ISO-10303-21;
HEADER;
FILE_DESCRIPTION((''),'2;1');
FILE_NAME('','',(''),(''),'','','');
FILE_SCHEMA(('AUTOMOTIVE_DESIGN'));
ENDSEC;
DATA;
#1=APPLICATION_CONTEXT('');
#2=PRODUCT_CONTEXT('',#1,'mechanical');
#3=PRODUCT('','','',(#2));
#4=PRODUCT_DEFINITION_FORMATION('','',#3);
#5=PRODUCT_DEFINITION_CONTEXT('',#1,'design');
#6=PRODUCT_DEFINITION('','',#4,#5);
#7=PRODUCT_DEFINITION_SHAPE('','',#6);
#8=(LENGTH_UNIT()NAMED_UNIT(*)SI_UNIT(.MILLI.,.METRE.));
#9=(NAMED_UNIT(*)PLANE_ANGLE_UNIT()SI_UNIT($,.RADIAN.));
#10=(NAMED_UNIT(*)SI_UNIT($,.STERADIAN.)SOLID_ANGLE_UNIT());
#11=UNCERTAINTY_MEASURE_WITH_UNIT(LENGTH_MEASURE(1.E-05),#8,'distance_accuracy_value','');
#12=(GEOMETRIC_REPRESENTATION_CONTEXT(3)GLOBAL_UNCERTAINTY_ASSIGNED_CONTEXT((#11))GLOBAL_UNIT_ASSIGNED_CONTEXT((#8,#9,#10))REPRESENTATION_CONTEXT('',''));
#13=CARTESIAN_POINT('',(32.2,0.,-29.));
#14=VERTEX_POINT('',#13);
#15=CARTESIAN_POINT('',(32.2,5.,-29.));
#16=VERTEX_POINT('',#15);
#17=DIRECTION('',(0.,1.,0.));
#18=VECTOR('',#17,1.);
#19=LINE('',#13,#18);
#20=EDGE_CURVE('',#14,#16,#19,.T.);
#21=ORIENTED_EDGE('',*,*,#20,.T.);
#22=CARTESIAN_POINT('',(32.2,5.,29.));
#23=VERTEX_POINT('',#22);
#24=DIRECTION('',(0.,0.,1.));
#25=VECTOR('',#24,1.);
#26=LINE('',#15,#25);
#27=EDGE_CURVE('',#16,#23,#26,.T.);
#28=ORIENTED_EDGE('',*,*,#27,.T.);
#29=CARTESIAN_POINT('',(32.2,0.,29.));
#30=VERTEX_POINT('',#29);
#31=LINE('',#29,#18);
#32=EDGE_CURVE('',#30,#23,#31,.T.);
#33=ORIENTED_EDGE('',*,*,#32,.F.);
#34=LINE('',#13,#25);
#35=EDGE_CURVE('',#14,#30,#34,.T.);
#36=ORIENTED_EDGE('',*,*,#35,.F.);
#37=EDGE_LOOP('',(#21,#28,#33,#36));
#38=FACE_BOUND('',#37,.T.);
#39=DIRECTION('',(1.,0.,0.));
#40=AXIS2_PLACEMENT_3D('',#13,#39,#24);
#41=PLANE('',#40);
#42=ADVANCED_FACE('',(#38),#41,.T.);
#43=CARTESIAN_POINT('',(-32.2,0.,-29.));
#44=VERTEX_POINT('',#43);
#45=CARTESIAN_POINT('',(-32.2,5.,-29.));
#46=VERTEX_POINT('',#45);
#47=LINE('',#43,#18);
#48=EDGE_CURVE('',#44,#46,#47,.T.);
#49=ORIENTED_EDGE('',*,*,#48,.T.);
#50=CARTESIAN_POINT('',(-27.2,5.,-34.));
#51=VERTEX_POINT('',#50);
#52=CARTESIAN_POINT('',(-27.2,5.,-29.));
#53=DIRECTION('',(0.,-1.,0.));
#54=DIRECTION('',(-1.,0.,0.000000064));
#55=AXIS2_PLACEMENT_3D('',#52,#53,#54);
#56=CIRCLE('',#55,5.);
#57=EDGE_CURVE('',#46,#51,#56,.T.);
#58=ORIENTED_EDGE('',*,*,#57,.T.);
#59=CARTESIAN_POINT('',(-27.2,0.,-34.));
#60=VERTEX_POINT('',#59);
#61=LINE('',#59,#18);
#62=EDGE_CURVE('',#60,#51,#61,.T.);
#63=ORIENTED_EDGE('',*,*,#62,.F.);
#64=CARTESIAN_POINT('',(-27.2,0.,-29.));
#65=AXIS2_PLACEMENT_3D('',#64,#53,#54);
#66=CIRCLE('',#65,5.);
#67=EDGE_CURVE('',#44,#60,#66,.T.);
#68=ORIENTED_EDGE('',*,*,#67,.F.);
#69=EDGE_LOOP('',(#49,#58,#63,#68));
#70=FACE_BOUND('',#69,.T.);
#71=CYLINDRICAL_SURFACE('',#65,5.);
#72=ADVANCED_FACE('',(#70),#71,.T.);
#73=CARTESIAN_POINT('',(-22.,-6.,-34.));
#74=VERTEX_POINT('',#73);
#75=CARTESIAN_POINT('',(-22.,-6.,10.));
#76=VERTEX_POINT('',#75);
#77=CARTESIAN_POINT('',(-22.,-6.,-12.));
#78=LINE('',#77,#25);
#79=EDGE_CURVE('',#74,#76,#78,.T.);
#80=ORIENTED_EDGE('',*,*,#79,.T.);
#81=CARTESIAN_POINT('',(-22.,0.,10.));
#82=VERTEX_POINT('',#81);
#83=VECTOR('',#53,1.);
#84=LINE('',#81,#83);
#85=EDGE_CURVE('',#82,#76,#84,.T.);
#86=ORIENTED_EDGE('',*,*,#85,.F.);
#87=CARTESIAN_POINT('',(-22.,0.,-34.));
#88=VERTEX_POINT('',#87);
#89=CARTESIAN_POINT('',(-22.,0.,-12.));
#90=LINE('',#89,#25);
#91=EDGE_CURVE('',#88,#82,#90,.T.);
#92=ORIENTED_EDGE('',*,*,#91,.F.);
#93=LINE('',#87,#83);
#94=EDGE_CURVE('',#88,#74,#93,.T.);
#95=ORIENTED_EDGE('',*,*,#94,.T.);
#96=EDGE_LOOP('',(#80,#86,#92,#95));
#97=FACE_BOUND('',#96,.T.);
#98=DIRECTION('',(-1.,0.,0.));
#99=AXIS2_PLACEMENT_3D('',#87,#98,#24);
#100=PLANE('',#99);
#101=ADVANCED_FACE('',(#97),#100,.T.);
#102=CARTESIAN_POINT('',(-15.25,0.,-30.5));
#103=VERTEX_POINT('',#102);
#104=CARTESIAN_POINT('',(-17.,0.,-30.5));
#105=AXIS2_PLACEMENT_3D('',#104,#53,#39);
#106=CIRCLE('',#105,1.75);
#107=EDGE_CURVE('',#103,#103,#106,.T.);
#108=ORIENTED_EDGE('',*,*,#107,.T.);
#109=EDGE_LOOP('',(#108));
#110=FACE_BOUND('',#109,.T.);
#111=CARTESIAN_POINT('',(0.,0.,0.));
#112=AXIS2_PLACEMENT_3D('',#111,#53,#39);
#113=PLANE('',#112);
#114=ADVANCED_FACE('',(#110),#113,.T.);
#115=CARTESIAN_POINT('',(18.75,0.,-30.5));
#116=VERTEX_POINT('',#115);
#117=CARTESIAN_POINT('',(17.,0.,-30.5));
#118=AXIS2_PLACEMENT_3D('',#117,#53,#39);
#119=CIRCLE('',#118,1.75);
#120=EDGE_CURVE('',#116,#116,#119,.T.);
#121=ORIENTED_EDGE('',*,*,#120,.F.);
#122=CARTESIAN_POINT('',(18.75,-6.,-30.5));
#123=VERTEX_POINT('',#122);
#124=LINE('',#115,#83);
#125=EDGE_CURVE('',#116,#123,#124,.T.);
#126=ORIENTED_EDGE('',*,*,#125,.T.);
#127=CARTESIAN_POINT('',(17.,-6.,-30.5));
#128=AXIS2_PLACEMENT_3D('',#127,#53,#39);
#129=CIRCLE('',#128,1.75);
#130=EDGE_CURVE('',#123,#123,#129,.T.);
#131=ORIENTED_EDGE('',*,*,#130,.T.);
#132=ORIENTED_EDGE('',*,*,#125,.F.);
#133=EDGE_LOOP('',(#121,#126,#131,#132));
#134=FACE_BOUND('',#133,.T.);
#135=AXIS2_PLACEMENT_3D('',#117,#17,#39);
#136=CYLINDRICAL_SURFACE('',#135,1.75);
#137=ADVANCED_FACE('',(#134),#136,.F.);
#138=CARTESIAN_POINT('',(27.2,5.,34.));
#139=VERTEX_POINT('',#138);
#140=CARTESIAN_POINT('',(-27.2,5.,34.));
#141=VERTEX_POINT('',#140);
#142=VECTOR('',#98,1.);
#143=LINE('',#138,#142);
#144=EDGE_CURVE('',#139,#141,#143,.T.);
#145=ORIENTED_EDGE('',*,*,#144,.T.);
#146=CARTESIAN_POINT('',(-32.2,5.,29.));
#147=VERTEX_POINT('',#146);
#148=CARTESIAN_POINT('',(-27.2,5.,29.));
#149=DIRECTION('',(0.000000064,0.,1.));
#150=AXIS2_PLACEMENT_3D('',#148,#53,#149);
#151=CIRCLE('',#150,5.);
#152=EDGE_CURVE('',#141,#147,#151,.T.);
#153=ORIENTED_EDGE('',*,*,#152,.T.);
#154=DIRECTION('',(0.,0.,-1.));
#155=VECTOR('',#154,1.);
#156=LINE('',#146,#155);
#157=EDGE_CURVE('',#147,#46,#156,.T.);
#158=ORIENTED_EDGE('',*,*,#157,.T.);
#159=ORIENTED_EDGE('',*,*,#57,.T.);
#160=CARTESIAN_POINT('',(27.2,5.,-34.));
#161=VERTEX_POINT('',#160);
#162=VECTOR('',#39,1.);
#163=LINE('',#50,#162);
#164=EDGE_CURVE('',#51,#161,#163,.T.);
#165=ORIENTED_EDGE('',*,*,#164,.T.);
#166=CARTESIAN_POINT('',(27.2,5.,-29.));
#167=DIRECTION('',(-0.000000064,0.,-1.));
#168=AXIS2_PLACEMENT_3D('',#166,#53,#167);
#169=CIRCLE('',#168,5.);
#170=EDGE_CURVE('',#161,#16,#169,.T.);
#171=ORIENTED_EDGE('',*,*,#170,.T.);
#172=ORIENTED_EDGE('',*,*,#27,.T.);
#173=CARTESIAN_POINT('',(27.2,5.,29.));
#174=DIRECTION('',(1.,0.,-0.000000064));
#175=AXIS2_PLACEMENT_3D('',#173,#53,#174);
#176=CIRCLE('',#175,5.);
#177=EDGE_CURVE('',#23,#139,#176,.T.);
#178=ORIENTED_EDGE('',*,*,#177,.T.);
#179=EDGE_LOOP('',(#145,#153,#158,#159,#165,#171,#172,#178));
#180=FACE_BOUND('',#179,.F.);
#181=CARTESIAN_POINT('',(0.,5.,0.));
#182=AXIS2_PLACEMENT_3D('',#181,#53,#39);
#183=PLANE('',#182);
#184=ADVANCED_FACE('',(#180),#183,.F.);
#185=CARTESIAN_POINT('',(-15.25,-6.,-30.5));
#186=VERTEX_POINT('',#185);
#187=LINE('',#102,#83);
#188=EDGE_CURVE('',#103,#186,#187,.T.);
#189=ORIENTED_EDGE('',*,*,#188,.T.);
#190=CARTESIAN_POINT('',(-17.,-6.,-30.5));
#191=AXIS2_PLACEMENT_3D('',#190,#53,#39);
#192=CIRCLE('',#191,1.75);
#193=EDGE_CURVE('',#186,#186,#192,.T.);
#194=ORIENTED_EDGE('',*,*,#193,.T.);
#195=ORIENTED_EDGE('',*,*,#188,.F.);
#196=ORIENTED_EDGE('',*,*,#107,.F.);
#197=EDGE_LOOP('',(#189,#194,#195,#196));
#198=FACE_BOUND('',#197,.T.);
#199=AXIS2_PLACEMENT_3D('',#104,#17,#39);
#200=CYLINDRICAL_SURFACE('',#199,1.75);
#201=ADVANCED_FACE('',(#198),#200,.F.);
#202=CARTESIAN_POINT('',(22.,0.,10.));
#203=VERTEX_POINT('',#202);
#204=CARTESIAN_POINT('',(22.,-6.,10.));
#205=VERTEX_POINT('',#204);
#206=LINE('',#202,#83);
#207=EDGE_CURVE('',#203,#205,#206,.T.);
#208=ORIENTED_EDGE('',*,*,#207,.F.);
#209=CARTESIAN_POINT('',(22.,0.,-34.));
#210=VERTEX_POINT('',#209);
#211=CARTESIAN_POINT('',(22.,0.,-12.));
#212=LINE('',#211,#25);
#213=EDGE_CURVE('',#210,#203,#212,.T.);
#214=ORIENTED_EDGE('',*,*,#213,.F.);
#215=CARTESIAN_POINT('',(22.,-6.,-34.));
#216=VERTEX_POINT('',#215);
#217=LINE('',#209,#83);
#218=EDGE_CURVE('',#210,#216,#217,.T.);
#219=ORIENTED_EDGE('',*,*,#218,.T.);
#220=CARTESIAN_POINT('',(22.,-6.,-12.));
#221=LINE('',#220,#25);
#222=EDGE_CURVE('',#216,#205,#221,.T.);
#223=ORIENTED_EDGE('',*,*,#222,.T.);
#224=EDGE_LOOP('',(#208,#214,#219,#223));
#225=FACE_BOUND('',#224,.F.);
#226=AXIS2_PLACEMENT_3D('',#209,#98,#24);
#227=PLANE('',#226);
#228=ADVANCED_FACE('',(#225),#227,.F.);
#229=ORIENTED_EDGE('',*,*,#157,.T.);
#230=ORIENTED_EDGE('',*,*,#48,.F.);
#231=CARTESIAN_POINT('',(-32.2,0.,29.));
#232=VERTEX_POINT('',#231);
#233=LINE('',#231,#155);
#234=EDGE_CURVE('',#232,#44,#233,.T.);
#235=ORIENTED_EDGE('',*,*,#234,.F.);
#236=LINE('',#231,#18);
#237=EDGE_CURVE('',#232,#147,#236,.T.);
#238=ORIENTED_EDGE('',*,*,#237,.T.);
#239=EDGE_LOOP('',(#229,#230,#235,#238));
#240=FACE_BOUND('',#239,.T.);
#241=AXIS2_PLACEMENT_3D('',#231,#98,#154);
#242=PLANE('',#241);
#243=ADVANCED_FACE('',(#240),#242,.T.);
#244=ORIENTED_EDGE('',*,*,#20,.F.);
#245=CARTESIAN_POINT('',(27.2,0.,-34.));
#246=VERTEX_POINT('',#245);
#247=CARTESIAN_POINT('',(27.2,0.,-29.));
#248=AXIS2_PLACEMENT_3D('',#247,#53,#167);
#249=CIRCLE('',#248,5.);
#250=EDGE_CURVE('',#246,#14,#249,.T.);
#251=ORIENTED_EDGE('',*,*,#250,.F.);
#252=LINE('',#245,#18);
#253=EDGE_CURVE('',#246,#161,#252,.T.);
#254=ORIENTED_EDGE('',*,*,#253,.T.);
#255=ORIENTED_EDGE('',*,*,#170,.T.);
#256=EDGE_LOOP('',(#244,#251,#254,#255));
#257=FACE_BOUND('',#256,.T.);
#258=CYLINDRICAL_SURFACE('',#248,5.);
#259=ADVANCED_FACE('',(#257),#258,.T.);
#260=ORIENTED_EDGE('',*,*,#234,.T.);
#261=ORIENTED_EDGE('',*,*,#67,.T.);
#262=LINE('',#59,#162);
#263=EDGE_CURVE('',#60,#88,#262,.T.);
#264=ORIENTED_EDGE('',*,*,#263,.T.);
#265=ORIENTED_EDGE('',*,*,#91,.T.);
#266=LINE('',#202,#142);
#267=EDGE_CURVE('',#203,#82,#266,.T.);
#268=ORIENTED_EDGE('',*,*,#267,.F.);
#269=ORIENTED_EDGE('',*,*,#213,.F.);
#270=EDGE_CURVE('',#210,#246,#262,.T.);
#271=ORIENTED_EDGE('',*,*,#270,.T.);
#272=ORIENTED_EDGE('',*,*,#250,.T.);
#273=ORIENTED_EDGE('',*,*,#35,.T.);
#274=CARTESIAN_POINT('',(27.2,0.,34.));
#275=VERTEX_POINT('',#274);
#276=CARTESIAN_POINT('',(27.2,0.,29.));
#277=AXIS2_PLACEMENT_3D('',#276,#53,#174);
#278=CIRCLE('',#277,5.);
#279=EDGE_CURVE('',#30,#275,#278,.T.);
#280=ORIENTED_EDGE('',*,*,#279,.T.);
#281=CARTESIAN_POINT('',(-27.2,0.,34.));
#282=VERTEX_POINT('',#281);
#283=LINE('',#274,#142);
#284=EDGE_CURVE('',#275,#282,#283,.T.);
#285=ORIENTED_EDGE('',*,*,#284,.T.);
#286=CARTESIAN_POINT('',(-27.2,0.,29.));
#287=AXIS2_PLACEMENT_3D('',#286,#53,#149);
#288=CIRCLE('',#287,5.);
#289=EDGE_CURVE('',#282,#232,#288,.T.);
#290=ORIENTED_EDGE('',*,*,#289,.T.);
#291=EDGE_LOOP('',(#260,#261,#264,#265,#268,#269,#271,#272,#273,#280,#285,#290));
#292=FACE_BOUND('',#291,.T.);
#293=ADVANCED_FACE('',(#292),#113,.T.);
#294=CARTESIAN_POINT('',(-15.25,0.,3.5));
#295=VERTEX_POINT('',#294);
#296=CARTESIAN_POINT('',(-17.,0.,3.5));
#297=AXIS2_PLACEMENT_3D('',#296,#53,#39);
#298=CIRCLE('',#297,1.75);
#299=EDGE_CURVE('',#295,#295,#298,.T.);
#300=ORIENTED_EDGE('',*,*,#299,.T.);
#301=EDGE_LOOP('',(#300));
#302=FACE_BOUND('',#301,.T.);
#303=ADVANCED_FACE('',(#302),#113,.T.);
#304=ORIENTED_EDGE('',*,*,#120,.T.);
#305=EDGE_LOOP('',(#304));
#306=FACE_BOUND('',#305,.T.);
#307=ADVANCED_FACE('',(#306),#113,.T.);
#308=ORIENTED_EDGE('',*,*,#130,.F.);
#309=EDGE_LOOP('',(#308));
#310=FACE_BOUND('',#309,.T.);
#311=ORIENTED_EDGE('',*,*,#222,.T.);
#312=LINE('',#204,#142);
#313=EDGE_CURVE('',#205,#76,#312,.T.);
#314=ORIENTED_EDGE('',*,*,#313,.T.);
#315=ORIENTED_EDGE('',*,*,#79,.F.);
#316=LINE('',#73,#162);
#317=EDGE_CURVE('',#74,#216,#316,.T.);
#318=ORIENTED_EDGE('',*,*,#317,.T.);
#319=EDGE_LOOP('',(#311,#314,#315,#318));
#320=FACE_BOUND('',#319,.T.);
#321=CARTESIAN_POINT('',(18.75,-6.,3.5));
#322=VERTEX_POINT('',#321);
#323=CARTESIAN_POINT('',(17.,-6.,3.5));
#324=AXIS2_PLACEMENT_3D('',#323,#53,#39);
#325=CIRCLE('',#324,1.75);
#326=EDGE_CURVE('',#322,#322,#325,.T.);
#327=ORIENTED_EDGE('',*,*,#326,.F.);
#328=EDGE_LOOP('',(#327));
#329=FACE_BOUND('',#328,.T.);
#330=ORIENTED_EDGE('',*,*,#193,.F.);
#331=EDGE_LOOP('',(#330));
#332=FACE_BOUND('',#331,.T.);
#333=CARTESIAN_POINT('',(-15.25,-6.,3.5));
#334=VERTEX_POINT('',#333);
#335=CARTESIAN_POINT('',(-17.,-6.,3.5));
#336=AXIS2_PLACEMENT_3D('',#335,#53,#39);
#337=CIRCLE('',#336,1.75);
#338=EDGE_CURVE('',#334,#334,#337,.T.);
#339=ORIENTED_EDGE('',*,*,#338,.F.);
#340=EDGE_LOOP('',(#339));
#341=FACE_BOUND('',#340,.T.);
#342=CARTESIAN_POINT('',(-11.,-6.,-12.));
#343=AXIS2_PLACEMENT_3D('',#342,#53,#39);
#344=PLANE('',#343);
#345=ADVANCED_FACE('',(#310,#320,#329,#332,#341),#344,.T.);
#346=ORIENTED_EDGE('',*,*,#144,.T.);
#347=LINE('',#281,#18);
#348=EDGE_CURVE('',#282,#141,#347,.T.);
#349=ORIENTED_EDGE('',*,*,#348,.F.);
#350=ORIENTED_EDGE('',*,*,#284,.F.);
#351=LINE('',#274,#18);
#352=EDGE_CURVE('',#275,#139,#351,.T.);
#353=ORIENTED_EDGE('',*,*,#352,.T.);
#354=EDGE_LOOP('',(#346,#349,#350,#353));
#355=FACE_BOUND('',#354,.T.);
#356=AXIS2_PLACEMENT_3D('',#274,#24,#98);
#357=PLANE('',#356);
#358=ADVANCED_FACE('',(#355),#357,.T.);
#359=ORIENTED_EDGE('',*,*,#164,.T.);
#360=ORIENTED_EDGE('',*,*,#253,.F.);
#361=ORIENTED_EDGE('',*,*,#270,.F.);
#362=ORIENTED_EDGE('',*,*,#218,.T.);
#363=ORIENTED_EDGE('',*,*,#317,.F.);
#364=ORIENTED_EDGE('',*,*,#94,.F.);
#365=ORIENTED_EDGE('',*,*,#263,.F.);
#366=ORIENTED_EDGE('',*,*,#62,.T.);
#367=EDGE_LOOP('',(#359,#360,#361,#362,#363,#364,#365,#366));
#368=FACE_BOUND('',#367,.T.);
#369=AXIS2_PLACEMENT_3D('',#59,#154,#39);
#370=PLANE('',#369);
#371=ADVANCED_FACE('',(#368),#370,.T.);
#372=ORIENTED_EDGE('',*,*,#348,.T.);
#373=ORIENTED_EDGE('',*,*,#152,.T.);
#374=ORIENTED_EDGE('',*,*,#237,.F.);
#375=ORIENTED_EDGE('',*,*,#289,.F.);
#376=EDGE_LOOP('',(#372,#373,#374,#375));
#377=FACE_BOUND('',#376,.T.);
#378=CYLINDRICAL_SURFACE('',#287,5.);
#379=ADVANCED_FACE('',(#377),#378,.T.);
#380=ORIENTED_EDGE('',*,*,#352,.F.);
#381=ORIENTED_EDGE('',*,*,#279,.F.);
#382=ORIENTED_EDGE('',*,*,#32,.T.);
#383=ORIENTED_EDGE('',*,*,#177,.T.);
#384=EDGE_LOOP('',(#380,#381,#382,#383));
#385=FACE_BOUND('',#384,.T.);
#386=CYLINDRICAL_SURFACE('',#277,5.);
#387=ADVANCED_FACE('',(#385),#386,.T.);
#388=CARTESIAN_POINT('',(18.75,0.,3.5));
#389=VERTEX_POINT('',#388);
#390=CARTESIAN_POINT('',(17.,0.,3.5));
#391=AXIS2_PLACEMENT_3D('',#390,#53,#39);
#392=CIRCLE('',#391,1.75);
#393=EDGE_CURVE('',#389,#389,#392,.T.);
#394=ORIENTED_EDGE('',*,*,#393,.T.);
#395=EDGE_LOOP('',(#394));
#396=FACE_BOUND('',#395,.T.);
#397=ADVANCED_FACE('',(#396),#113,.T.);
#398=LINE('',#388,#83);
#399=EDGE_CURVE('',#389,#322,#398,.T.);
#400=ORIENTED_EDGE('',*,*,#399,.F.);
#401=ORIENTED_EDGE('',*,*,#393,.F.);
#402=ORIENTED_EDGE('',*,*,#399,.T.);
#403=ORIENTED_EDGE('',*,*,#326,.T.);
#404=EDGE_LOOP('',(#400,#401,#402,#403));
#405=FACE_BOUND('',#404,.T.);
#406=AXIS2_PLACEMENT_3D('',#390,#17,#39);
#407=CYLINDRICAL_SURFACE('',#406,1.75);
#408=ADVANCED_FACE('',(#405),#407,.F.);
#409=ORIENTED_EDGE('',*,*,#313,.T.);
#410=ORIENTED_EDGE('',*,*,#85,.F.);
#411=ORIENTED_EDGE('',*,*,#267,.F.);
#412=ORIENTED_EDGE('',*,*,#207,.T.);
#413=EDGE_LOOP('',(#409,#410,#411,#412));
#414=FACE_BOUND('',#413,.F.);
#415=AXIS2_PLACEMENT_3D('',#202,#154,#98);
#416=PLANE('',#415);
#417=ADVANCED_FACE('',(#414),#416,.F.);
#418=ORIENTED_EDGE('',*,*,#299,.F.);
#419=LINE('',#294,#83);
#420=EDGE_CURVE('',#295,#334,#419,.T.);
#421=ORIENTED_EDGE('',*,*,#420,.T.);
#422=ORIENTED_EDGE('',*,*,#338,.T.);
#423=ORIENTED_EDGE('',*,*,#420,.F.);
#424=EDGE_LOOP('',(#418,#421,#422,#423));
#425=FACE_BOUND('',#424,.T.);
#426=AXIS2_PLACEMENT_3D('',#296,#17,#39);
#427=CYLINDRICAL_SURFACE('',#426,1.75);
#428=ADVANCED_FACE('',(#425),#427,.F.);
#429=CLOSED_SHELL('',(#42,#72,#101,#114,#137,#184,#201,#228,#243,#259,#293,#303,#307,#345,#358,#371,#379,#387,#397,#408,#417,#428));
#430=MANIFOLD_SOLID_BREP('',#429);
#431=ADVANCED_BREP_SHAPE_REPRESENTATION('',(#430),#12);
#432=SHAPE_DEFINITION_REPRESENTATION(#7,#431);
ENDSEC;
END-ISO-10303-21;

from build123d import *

# Parameters (mm, degrees)
F1_DEPTH = 5
F2_W     = 22
F2_H     = 44
F2_R     = 1.75
F3_DEPTH = 6


with BuildPart() as f1:
    # F0 (on Front) → F1 (new body)
    with BuildSketch(Plane.XZ):
        with BuildLine():
            Line((27.2, 34), (-27.2, 34))
            ThreePointArc((-27.2, 34), (-30.735534, 32.535534), (-32.2, 29))
            Line((-32.2, 29), (-32.2, -29))
            ThreePointArc((-32.2, -29), (-30.735534, -32.535534), (-27.2, -34))
            Line((-27.2, -34), (27.2, -34))
            ThreePointArc((27.2, -34), (30.735534, -32.535534), (32.2, -29))
            Line((32.2, -29), (32.2, 29))
            ThreePointArc((32.2, 29), (30.735534, 32.535534), (27.2, 34))
        make_face()
    extrude(amount=-F1_DEPTH)

    # F2 (on face) → F3 (join)
    with BuildSketch(Plane.XZ):
        with Locations((-11, -12)):
            Rectangle(F2_W, F2_H)
        with Locations((-17, -30.5)):
            Circle(F2_R, mode=Mode.SUBTRACT)
        with Locations((-17, 3.5)):
            Circle(F2_R, mode=Mode.SUBTRACT)
        with Locations((11, -12)):
            Rectangle(F2_W, F2_H)
        with Locations((17, -30.5)):
            Circle(F2_R, mode=Mode.SUBTRACT)
        with Locations((17, 3.5)):
            Circle(F2_R, mode=Mode.SUBTRACT)
    extrude(amount=F3_DEPTH)


solid = f1.part
